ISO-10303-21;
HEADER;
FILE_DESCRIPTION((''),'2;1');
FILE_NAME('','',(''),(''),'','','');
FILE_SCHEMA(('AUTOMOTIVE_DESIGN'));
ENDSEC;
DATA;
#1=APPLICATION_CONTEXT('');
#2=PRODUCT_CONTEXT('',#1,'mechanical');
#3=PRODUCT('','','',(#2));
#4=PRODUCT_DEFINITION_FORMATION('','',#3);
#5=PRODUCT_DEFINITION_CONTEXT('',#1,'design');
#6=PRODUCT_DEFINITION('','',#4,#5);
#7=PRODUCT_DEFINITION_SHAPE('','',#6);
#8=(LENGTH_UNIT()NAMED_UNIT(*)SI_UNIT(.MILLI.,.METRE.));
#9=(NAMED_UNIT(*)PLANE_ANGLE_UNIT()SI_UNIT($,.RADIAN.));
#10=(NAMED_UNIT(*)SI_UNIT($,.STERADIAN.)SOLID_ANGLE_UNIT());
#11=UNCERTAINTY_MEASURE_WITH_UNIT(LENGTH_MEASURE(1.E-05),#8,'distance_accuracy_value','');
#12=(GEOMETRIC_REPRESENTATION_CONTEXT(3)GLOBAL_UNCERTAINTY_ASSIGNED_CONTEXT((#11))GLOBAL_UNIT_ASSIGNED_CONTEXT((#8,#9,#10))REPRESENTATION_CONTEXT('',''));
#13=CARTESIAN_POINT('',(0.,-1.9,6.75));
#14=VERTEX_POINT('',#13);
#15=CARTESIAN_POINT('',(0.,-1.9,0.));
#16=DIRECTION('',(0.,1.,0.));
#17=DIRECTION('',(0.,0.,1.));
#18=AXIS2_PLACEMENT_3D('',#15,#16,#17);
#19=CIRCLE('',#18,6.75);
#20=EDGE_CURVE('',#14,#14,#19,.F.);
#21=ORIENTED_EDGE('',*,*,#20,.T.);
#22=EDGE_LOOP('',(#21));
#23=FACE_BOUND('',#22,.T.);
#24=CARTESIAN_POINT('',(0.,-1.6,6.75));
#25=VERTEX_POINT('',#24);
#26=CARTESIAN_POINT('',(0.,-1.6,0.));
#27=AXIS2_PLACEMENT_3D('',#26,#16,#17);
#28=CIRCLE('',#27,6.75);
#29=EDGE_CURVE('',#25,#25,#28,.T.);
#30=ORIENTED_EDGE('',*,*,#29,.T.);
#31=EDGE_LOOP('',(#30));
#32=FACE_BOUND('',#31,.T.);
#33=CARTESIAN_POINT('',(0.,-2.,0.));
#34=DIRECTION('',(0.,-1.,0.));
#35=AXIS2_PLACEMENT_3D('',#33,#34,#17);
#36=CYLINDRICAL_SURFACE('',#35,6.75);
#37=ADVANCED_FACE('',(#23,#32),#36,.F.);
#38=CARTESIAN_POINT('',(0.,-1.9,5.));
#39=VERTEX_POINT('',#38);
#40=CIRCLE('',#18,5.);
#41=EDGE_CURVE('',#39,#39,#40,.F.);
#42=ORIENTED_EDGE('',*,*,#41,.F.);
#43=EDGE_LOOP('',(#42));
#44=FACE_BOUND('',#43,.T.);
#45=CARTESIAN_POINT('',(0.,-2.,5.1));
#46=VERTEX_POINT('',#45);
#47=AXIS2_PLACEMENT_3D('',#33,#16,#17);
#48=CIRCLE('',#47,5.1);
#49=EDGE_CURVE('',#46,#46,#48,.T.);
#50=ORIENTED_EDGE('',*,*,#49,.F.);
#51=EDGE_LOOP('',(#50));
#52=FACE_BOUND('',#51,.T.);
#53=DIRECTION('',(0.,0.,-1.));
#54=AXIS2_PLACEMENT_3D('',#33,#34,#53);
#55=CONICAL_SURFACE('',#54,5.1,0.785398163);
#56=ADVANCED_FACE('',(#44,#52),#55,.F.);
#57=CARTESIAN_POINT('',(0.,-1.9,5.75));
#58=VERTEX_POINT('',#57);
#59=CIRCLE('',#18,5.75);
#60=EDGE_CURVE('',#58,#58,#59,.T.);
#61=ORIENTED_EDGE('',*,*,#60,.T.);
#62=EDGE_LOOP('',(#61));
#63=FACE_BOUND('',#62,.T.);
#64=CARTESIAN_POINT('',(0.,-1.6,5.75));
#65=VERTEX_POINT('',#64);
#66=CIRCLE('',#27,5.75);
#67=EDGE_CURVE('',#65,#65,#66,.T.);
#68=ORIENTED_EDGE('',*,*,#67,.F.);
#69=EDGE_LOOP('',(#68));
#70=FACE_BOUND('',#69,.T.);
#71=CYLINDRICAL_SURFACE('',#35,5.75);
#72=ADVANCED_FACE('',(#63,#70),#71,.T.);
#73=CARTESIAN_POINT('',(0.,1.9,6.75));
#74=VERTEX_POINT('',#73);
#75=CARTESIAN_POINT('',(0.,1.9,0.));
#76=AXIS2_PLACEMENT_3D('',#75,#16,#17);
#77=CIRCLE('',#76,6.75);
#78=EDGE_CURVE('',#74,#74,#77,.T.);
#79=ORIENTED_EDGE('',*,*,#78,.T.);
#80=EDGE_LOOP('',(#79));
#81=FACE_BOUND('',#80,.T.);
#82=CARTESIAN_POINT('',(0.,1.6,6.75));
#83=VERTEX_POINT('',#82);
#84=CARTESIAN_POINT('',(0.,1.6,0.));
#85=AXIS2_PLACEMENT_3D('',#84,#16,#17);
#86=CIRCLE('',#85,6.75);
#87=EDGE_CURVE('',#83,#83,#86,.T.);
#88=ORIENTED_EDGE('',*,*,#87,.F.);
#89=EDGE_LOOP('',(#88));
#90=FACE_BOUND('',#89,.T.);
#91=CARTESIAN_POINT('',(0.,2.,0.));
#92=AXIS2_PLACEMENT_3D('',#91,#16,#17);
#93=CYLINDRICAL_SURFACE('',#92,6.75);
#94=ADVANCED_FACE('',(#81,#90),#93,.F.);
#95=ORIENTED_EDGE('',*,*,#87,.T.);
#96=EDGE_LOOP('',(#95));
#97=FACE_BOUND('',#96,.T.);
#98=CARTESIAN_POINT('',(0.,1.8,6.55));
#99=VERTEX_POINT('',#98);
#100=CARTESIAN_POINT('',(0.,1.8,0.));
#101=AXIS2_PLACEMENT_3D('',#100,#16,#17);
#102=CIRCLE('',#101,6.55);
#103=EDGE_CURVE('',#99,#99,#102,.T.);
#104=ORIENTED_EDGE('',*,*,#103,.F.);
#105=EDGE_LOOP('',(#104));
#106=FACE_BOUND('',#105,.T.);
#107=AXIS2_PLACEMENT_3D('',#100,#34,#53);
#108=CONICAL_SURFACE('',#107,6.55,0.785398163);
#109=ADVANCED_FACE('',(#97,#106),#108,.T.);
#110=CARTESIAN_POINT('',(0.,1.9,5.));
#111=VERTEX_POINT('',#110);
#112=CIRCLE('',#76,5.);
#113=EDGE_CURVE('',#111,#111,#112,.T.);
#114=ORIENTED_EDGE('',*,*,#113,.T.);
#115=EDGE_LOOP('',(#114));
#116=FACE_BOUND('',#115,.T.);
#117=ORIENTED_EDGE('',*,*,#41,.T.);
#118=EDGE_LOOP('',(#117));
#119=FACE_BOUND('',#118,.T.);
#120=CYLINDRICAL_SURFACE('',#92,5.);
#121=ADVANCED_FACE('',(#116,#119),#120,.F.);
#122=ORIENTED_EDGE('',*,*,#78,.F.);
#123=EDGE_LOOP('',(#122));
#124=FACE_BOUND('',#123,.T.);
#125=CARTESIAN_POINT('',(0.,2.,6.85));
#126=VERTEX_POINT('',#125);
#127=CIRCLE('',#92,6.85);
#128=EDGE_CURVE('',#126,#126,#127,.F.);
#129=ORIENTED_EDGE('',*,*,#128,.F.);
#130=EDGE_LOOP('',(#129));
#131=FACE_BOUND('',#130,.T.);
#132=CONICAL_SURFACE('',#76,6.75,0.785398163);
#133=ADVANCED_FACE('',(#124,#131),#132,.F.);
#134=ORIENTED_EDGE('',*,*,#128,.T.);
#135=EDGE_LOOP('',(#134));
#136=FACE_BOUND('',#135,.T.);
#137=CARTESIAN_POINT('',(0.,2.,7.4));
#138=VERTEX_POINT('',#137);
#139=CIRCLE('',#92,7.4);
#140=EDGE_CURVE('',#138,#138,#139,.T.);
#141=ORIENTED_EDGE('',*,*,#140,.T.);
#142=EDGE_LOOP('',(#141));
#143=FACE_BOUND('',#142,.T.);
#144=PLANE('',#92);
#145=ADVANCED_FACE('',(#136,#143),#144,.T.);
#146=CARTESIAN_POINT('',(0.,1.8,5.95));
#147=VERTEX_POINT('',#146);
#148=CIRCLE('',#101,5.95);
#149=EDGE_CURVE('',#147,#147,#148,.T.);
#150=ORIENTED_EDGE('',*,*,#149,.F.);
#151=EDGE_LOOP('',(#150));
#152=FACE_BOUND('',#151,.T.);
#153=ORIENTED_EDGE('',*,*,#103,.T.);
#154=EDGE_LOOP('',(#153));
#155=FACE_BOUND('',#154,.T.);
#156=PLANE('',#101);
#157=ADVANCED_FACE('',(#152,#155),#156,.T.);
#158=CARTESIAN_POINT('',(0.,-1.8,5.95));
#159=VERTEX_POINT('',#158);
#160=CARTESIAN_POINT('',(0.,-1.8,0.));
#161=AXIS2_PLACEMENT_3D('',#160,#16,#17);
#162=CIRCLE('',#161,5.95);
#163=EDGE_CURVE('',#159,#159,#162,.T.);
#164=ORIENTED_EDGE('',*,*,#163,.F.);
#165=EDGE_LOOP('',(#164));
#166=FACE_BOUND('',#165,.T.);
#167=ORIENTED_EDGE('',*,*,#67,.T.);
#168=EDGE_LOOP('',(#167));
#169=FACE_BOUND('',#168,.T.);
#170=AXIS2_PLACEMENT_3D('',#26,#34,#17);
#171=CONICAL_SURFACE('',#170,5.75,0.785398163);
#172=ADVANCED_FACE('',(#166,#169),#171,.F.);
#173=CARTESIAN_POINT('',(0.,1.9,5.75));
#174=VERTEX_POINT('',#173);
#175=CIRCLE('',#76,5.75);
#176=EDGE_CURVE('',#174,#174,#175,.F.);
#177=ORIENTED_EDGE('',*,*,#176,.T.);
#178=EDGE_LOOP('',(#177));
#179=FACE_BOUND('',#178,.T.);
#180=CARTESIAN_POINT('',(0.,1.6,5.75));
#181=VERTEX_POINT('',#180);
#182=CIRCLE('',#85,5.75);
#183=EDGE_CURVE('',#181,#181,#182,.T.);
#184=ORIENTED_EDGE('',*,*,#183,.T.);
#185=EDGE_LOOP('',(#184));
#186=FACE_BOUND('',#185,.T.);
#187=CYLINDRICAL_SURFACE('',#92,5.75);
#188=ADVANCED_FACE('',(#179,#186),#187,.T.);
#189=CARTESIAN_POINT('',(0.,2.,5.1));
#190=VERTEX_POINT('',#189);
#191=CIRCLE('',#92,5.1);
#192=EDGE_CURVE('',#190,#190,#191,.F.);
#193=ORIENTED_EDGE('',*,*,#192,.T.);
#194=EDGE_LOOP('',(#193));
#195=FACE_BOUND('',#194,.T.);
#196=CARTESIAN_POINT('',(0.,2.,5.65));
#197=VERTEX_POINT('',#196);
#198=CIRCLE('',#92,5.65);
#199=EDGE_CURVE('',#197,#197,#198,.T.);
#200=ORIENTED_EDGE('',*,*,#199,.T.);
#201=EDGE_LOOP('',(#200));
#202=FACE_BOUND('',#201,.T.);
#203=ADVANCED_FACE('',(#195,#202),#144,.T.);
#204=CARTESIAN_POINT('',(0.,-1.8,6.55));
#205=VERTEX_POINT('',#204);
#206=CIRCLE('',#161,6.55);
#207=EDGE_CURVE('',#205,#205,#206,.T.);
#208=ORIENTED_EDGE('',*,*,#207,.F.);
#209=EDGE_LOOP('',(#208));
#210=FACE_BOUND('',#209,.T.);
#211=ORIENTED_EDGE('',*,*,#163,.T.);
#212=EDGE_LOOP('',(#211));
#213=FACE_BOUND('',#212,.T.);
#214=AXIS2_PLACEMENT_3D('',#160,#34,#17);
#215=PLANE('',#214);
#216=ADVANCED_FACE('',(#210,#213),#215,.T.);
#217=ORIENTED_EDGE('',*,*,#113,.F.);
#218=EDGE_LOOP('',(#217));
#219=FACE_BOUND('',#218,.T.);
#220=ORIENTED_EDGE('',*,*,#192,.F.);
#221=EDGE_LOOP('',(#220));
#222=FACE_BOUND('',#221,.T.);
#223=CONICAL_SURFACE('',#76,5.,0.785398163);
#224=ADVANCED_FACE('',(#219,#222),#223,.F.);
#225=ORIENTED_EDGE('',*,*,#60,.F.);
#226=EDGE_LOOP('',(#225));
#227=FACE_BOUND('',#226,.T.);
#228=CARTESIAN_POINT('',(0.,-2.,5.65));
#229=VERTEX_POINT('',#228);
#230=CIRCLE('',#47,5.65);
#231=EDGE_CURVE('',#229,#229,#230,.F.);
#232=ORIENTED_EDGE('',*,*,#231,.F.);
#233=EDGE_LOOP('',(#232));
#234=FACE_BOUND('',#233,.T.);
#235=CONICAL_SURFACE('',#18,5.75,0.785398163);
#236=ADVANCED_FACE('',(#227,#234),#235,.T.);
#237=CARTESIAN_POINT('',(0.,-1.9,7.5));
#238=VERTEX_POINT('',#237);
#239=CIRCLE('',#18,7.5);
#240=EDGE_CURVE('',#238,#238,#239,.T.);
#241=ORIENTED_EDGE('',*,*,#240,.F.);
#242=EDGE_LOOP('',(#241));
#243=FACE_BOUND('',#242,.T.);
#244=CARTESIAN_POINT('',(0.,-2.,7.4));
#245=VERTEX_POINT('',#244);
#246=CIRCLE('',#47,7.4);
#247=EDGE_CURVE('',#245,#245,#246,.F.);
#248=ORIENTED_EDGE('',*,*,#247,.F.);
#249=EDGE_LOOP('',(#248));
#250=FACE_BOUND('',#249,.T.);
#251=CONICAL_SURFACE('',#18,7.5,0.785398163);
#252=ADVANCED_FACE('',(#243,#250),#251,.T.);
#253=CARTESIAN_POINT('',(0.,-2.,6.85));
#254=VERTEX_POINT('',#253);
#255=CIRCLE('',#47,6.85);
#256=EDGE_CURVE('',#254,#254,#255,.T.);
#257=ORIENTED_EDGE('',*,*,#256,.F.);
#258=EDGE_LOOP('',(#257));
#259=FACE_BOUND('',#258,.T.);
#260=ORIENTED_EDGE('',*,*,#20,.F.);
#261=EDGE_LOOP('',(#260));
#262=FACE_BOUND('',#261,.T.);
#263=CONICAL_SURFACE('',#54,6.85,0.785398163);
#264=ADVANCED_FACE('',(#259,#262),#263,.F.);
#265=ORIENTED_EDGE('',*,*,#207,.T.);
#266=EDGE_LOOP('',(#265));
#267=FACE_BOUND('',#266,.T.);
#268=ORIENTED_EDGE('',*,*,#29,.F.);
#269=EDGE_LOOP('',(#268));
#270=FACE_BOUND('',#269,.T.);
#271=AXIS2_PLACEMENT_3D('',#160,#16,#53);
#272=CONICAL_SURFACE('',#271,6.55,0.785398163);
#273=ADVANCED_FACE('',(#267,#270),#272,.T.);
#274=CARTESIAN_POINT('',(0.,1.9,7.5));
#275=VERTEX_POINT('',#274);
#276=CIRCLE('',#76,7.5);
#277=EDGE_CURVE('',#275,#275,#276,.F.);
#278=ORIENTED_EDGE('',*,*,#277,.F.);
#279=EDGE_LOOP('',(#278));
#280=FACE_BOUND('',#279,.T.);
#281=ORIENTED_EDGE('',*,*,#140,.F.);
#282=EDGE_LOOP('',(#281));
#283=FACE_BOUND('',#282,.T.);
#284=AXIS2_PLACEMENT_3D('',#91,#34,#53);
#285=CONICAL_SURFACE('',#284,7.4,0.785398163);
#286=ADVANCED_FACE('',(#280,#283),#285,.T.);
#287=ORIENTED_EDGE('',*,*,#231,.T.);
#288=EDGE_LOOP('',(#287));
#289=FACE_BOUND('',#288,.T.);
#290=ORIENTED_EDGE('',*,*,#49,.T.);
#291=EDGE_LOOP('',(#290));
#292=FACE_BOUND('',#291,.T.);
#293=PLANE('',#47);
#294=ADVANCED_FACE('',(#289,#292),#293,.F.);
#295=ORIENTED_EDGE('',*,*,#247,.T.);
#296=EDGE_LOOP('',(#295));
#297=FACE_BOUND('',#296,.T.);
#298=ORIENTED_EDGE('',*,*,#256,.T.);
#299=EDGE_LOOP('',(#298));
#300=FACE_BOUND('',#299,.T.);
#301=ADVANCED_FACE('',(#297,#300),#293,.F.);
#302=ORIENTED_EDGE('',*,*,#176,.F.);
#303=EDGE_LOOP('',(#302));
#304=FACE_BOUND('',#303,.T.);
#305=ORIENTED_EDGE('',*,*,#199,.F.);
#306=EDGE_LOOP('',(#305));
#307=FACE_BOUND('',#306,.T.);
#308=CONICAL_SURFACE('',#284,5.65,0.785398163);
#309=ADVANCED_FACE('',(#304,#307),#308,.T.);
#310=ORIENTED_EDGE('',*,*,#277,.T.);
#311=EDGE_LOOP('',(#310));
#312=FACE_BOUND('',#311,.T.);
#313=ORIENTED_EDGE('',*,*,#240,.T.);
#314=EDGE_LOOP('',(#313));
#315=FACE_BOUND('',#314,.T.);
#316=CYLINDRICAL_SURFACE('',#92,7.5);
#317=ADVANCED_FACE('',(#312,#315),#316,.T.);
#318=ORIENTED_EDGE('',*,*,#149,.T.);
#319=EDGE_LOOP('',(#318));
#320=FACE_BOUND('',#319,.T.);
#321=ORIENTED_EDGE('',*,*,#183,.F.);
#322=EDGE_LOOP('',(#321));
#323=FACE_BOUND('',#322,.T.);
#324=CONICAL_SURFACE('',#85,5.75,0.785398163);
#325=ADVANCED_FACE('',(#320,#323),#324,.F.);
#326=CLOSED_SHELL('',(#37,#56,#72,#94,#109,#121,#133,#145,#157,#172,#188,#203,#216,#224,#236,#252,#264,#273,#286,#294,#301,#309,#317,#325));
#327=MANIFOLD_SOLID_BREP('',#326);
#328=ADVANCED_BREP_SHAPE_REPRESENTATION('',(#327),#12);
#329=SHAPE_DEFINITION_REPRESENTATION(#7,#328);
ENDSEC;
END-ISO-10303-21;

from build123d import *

# Parameters (mm, degrees)
SKETCH1_W     = 2.5
SKETCH1_H     = 4
CHAMFER1_SIZE = 0.1


with BuildPart() as part:
    # Sketch1 → Revolve1 (revolve)
    with BuildSketch(Plane(origin=(0, 0, 0), x_dir=(0, 0, -1), z_dir=(1, 0, 0))):
        with Locations((6.25, 0)):
            Rectangle(SKETCH1_W, SKETCH1_H)
    revolve(axis=Axis((0, 2, 0), (0, -1, 0)))

    # Sketch3 → Cut-Revolve2 (revolve, cut)
    with BuildSketch(Plane(origin=(0, 0, 0), x_dir=(0, 0, -1), z_dir=(1, 0, 0))):
        Polygon((6.55, 1.8), (6.75, 1.6), (6.75, 2), (5.75, 2), (5.75, 1.6), (5.95, 1.8), align=None)
    cut_revolve2 = revolve(axis=Axis((0, 2, 0), (0, -1, 0)), mode=Mode.SUBTRACT)

    # Mirror1: Cut-Revolve2 across plane
    add(cut_revolve2.mirror(Plane.ZX), mode=Mode.SUBTRACT)

    # Chamfer1
    chamfer1_edges = [part.edges().sort_by_distance(p)[0] for p in [
        (0, 2, 6.75),
        (0, 2, 5.75),
        (0, -2, 6.75),
        (0, -2, 5.75),
        (0, 2, 7.5),
        (0, -2, 7.5),
        (0, -2, 5),
        (0, 2, 5),
    ]]
    chamfer(chamfer1_edges, length=CHAMFER1_SIZE)


solid = part.part
